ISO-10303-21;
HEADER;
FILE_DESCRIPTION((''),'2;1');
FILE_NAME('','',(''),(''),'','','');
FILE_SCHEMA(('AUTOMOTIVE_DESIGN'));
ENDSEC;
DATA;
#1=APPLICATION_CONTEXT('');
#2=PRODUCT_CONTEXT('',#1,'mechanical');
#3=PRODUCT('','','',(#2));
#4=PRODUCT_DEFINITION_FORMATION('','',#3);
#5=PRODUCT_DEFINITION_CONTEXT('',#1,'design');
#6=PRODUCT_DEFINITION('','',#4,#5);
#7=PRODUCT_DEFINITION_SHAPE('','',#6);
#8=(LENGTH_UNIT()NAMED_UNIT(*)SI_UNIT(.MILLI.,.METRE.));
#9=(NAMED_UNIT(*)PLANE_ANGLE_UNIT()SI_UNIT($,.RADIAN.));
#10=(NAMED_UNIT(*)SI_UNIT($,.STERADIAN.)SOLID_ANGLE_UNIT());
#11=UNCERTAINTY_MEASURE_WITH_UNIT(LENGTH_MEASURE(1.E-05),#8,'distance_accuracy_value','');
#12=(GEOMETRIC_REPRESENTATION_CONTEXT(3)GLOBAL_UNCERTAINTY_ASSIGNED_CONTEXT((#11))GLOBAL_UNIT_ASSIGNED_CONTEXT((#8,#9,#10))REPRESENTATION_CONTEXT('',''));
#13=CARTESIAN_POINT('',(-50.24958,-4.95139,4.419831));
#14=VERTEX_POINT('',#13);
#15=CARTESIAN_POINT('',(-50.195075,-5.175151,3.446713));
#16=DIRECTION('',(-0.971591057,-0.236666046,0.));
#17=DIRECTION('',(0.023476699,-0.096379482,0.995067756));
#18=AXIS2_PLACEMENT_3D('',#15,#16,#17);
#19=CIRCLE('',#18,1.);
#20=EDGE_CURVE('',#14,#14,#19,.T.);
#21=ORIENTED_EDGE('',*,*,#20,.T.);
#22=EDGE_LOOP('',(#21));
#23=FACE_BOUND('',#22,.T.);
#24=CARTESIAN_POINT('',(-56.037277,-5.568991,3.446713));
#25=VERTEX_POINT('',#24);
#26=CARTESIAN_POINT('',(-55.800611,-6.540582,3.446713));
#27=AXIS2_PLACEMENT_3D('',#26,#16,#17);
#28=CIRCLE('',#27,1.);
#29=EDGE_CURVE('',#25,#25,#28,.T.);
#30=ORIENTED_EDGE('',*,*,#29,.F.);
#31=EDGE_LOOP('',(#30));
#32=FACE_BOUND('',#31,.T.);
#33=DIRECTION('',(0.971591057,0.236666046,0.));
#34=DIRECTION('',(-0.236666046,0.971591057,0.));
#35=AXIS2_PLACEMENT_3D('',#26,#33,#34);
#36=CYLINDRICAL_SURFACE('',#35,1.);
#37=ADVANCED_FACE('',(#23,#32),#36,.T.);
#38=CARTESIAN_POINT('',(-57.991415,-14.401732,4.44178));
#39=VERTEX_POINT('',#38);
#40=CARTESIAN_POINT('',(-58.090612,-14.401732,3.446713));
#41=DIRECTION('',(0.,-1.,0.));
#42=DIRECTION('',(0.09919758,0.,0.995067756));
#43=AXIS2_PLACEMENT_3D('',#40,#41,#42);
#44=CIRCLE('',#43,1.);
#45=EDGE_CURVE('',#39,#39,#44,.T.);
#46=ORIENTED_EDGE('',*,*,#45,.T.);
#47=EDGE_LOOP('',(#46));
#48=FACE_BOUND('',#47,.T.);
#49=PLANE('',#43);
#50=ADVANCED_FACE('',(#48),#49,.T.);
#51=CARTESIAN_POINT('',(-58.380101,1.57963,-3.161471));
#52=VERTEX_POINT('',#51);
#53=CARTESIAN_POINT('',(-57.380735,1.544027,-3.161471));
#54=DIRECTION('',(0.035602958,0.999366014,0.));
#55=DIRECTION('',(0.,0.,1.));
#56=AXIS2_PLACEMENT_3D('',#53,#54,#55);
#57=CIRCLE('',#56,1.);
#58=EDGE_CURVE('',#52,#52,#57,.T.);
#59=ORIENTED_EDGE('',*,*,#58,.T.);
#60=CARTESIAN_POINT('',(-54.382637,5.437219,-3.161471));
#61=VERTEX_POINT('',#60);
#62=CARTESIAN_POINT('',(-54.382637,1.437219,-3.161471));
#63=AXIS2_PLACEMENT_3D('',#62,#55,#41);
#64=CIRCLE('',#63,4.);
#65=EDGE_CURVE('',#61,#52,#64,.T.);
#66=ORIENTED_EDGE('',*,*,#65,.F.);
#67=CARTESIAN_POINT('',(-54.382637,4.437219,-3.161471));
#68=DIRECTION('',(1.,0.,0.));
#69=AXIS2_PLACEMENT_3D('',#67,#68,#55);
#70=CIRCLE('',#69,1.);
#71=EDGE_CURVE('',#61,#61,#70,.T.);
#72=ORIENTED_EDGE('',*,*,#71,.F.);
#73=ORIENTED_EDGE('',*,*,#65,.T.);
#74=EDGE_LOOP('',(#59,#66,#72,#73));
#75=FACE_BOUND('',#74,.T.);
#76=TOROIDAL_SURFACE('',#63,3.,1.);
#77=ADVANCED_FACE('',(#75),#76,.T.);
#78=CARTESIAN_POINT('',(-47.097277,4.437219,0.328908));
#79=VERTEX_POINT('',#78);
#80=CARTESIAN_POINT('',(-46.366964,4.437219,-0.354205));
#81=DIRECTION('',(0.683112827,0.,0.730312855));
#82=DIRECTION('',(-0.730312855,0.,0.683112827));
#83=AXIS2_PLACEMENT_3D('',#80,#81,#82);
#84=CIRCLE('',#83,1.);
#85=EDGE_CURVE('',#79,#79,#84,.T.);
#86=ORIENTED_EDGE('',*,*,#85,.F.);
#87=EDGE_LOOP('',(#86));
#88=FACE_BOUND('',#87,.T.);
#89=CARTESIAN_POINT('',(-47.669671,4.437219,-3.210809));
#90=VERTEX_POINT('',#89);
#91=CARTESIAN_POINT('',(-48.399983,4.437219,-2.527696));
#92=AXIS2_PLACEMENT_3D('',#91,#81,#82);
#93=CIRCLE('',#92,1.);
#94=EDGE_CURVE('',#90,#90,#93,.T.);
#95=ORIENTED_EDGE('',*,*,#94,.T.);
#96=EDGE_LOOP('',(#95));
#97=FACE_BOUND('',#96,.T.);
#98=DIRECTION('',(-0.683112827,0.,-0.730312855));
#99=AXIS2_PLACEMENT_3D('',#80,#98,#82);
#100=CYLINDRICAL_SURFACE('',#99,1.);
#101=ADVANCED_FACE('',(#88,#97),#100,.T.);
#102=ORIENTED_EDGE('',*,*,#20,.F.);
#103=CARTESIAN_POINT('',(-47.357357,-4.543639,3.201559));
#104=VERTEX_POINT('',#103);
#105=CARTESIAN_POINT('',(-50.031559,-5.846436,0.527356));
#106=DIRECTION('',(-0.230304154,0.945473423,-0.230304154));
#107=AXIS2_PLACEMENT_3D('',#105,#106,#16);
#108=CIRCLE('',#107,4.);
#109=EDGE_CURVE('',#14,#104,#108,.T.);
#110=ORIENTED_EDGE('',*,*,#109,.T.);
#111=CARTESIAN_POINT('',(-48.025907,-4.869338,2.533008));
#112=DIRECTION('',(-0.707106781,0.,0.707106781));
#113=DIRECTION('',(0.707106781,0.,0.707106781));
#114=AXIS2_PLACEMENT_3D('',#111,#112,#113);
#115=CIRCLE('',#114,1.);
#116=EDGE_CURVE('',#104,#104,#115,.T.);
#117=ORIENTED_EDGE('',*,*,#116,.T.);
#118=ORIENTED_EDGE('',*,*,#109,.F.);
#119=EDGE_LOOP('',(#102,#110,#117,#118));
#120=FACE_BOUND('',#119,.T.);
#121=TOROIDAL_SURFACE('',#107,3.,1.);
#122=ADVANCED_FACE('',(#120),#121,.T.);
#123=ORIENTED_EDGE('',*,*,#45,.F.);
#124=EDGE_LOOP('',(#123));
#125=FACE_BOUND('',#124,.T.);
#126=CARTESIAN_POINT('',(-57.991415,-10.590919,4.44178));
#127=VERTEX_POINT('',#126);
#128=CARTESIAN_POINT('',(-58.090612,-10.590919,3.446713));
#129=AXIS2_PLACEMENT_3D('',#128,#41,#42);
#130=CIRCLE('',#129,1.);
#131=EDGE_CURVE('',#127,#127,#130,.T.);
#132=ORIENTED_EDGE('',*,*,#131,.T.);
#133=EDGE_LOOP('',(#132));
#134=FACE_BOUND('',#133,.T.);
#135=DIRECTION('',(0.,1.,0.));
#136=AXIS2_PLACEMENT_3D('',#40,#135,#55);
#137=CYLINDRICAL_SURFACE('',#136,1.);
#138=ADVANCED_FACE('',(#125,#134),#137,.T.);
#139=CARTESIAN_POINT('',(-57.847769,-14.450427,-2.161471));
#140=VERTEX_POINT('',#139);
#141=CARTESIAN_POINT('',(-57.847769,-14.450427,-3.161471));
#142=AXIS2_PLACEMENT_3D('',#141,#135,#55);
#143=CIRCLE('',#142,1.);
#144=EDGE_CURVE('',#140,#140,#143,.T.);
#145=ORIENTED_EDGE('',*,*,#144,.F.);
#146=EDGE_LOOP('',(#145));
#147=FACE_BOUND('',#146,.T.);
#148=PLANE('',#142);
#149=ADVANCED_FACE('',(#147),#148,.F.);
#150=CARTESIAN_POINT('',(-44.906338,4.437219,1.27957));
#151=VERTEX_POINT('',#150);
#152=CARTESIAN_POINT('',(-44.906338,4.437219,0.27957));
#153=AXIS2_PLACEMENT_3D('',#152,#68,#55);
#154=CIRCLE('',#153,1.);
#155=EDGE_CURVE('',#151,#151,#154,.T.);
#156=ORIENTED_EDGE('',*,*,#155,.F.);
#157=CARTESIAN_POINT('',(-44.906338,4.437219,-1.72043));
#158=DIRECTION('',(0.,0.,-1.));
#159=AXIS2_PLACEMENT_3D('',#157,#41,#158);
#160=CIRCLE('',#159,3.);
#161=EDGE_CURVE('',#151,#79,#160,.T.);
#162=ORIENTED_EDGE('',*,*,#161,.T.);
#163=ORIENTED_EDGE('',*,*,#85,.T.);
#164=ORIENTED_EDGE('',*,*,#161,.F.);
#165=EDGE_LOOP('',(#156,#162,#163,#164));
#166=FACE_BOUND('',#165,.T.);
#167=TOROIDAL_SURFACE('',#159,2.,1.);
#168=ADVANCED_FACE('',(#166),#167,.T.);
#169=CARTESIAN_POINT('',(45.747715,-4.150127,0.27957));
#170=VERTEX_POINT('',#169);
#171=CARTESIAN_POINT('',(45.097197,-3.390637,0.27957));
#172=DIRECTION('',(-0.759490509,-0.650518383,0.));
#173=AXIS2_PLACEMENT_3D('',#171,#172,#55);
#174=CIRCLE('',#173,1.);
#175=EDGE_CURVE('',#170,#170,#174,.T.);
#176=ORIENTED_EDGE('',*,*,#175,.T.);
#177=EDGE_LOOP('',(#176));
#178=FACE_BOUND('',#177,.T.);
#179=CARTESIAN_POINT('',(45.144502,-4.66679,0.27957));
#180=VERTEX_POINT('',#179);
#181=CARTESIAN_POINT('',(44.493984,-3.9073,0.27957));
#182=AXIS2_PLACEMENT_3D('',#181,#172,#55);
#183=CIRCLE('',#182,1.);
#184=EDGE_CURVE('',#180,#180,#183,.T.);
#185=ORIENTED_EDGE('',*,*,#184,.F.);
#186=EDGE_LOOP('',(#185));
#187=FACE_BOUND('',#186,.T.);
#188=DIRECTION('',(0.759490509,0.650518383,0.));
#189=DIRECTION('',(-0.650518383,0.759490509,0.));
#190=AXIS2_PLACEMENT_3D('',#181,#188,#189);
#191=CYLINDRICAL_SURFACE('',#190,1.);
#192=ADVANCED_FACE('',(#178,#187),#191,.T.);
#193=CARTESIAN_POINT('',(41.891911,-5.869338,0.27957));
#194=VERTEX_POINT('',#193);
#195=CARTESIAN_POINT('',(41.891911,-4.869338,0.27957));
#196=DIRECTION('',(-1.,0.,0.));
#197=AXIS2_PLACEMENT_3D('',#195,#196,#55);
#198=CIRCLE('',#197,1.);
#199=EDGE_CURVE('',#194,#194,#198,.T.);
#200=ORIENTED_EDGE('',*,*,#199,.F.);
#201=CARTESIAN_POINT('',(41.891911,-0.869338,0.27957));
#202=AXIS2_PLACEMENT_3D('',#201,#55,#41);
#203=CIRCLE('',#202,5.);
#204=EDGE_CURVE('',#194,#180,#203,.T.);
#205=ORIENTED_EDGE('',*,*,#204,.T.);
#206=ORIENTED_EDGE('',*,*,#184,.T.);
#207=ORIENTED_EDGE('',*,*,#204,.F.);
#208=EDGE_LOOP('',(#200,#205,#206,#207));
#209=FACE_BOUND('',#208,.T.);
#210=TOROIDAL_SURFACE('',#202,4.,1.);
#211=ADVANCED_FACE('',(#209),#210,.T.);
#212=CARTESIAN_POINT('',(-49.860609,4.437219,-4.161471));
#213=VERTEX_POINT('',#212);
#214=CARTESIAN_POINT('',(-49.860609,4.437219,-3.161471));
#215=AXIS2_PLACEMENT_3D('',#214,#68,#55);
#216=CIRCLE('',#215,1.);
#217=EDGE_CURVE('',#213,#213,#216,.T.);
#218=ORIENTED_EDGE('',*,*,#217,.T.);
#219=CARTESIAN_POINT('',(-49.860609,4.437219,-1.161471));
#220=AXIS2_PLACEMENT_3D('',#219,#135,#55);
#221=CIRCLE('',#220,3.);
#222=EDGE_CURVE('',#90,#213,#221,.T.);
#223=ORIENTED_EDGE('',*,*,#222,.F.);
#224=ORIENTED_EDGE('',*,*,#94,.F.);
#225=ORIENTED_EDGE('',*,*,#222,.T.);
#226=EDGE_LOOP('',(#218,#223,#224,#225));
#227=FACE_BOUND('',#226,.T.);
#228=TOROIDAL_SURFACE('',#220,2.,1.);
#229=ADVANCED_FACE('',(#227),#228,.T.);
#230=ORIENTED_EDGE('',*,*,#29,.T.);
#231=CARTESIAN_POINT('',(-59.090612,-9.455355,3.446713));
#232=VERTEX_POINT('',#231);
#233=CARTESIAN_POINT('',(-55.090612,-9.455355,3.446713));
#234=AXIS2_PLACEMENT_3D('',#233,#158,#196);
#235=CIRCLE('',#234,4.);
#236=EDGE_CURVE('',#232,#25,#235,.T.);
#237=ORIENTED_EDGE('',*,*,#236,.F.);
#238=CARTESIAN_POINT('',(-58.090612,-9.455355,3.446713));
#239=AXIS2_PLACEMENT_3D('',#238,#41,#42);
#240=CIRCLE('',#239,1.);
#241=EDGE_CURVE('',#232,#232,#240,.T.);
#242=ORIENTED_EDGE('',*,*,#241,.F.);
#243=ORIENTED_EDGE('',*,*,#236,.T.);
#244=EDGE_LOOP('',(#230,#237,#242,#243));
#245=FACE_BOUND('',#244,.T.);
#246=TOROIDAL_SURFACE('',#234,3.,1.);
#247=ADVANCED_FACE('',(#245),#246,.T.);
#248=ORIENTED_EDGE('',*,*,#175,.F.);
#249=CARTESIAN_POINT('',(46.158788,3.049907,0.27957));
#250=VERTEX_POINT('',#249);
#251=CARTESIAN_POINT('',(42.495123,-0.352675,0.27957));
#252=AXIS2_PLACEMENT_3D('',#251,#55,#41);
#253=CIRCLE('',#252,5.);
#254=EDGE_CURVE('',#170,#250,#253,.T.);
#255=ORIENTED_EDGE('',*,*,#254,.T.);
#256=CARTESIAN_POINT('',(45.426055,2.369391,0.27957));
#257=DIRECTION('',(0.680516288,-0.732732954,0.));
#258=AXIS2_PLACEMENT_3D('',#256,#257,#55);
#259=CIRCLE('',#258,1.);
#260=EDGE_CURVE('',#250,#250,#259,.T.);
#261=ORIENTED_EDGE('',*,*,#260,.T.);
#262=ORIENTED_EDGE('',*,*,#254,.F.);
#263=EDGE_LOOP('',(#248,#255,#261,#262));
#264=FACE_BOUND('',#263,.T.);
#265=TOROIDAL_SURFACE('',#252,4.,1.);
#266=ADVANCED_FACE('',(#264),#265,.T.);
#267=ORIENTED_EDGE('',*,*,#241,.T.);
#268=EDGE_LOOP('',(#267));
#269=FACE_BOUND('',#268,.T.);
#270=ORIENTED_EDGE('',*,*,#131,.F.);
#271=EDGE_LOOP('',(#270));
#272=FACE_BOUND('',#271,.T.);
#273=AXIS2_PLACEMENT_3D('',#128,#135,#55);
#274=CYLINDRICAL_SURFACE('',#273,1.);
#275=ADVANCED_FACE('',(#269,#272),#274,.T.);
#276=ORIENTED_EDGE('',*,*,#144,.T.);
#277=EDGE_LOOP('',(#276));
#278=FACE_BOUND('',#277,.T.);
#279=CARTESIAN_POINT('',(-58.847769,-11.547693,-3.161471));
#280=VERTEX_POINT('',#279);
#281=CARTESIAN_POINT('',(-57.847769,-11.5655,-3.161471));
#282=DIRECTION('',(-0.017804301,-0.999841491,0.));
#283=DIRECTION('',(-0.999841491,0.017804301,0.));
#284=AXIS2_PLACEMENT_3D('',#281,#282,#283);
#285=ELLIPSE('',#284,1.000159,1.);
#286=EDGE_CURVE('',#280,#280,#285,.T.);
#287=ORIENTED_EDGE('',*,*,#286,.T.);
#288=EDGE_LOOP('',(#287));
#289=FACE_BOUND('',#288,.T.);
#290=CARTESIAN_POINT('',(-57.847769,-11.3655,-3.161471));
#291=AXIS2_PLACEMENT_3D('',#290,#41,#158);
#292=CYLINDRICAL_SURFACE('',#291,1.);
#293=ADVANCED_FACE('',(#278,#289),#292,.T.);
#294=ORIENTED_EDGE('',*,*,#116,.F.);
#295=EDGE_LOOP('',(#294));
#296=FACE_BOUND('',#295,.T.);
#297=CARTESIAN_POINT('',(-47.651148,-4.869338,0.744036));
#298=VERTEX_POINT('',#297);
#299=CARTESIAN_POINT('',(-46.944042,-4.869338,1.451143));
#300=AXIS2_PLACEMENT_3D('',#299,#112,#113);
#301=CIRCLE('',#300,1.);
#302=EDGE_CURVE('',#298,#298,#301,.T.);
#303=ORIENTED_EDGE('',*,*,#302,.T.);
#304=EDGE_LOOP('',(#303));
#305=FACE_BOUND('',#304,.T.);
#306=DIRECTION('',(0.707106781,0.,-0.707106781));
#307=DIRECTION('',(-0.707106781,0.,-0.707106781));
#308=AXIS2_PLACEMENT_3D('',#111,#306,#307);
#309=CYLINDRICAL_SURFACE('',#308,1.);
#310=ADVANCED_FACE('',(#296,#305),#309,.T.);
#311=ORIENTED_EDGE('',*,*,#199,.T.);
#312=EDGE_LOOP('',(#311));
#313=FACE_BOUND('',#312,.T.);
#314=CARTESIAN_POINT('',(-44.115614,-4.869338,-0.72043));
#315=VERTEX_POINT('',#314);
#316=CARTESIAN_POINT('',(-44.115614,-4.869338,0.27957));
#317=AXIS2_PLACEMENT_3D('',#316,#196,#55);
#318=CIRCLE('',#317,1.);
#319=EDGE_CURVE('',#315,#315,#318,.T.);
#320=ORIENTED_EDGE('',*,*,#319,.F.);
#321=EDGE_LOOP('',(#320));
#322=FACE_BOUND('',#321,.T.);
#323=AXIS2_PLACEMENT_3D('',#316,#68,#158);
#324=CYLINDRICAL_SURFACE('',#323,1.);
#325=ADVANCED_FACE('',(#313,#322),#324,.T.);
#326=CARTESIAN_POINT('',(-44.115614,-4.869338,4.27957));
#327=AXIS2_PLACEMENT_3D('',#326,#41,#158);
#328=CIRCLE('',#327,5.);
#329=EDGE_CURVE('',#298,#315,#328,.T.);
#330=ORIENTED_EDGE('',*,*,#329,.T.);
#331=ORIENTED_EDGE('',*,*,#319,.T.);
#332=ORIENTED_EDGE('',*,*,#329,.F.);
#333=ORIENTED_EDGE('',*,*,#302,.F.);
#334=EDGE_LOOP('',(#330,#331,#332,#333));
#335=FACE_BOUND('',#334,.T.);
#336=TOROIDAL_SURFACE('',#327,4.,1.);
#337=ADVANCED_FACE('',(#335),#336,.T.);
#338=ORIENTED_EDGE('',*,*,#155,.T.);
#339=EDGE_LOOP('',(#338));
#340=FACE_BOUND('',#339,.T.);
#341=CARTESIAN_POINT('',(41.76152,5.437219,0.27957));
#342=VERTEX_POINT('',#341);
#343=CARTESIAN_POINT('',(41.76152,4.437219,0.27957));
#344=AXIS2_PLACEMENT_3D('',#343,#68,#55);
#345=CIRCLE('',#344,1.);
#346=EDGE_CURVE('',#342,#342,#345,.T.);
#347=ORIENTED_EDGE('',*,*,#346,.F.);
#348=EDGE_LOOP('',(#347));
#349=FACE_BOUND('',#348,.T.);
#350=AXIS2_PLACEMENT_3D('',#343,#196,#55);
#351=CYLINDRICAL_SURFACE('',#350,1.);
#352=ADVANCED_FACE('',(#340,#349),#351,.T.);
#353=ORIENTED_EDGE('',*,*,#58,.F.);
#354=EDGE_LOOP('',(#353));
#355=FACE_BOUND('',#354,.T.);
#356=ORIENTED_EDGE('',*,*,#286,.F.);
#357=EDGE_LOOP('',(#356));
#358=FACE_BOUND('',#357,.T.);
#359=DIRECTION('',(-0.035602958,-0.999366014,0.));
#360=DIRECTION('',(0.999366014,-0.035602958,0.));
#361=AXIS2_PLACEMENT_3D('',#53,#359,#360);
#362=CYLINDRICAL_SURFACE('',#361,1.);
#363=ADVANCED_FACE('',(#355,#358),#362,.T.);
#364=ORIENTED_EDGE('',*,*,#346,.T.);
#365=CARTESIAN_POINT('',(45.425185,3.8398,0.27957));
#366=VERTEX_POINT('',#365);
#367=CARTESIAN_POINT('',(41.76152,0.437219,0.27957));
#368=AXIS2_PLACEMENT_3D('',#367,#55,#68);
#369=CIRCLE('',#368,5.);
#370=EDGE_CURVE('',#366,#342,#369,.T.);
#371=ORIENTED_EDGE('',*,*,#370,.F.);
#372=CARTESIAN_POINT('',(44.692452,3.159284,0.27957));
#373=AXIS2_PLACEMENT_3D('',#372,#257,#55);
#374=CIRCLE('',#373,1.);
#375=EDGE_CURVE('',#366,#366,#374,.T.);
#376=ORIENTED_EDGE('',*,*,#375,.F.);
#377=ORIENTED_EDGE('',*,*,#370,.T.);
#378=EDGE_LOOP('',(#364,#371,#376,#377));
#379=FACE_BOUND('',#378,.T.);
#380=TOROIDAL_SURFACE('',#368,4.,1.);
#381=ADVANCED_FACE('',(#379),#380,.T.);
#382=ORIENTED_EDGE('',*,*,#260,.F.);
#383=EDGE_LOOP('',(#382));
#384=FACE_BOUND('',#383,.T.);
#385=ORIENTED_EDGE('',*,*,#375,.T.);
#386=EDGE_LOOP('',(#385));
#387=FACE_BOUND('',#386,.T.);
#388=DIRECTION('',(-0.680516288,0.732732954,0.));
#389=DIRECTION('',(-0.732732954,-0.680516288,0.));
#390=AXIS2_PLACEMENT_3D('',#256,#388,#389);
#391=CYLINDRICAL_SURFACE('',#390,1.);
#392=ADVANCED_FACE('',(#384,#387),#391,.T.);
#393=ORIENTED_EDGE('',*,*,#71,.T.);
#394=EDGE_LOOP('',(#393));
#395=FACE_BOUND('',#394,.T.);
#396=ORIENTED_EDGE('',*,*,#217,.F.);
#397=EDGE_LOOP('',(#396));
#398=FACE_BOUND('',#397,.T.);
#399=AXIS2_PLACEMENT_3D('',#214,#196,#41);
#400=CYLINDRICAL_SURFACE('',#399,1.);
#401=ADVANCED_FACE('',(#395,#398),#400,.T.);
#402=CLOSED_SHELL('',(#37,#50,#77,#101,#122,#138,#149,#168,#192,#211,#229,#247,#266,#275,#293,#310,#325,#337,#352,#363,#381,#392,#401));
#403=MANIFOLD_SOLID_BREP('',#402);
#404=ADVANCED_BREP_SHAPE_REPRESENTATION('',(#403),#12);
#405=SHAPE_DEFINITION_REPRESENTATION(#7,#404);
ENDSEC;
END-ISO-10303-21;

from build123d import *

# Parameters (mm, degrees)
SWEEP1_PROFILE_R = 1


with BuildPart() as part:
    # Sweep1: sweep along a curve in space
    with BuildLine() as sweep1_path:
        Line((-58.090612369, -10.590919014, 3.446712504), (-58.090612369, -14.401731911, 3.446712504))
        Line((-58.090612369, -9.4553548, 3.446712504), (-58.090612369, -10.590919014, 3.446712504))
        ThreePointArc((-58.090612369, -9.4553548, 3.446712504), (-57.449636999, -7.601978747, 3.446712504), (-55.800610506, -6.540581628, 3.446712504))
        Line((-50.195074801, -5.175151224, 3.446712504), (-55.800610506, -6.540581628, 3.446712504))
        ThreePointArc((-48.025907275, -4.86933782, 2.533008422), (-49.028684136, -4.949042, 3.208573711), (-50.195074801, -5.175151224, 3.446712504))
        Line((-48.025907275, -4.86933782, 2.533008422), (-46.944041505, -4.86933782, 1.451142652))
        ThreePointArc((-46.944041505, -4.86933782, 1.451142652), (-45.646348109, -4.86933782, 0.584051647), (-44.11561438, -4.86933782, 0.279569777))
        Line((-44.11561438, -4.86933782, 0.279569777), (41.891910563, -4.86933782, 0.279569777))
        ThreePointArc((41.891910563, -4.86933782, 0.279569777), (43.279021203, -4.621127269, 0.279569777), (44.493984095, -3.907299856, 0.279569777))
        Line((44.493984095, -3.907299856, 0.279569777), (45.097196657, -3.390636572, 0.279569777))
        ThreePointArc((45.097196657, -3.390636572, 0.279569777), (46.488619757, -0.580675967, 0.279569777), (45.42605494, 2.369390618, 0.279569777))
        Line((45.42605494, 2.369390618, 0.279569777), (44.692451893, 3.159283727, 0.279569777))
        ThreePointArc((41.761520079, 4.437218573, 0.279569777), (43.360228837, 4.103842403, 0.279569777), (44.692451893, 3.159283727, 0.279569777))
        Line((41.761520079, 4.437218573, 0.279569777), (-44.906338407, 4.437218573, 0.279569777))
        ThreePointArc((-44.906338407, 4.437218573, 0.279569777), (-45.702437865, 4.437218573, 0.114297455), (-46.366964117, 4.437218573, -0.35420457))
        Line((-46.366964117, 4.437218573, -0.35420457), (-48.399983368, 4.437218573, -2.527696321))
        ThreePointArc((-49.860609078, 4.437218573, -3.161470668), (-49.06450962, 4.437218573, -2.996198346), (-48.399983368, 4.437218573, -2.527696321))
        Line((-49.860609078, 4.437218573, -3.161470668), (-54.382636754, 4.437218573, -3.161470668))
        ThreePointArc((-57.380734796, 1.544027447, -3.161470668), (-56.465852223, 3.595971294, -3.161470668), (-54.382636754, 4.437218573, -3.161470668))
        Line((-57.380734796, 1.544027447, -3.161470668), (-57.847768858, -11.56550035, -3.161470668))
        Line((-57.847768858, -11.56550035, -3.161470668), (-57.847768858, -14.450426845, -3.161470668))
    # Sweep1 profile (on start of the path) → Sweep1 (sweep)
    with BuildSketch(Plane(origin=(-57.847768858, -14.450426845, -3.161470668), x_dir=(0, 0, 1), z_dir=(0, 1, 0))):
        Circle(SWEEP1_PROFILE_R)
    sweep(path=sweep1_path.line, transition=Transition.RIGHT)


solid = part.part
